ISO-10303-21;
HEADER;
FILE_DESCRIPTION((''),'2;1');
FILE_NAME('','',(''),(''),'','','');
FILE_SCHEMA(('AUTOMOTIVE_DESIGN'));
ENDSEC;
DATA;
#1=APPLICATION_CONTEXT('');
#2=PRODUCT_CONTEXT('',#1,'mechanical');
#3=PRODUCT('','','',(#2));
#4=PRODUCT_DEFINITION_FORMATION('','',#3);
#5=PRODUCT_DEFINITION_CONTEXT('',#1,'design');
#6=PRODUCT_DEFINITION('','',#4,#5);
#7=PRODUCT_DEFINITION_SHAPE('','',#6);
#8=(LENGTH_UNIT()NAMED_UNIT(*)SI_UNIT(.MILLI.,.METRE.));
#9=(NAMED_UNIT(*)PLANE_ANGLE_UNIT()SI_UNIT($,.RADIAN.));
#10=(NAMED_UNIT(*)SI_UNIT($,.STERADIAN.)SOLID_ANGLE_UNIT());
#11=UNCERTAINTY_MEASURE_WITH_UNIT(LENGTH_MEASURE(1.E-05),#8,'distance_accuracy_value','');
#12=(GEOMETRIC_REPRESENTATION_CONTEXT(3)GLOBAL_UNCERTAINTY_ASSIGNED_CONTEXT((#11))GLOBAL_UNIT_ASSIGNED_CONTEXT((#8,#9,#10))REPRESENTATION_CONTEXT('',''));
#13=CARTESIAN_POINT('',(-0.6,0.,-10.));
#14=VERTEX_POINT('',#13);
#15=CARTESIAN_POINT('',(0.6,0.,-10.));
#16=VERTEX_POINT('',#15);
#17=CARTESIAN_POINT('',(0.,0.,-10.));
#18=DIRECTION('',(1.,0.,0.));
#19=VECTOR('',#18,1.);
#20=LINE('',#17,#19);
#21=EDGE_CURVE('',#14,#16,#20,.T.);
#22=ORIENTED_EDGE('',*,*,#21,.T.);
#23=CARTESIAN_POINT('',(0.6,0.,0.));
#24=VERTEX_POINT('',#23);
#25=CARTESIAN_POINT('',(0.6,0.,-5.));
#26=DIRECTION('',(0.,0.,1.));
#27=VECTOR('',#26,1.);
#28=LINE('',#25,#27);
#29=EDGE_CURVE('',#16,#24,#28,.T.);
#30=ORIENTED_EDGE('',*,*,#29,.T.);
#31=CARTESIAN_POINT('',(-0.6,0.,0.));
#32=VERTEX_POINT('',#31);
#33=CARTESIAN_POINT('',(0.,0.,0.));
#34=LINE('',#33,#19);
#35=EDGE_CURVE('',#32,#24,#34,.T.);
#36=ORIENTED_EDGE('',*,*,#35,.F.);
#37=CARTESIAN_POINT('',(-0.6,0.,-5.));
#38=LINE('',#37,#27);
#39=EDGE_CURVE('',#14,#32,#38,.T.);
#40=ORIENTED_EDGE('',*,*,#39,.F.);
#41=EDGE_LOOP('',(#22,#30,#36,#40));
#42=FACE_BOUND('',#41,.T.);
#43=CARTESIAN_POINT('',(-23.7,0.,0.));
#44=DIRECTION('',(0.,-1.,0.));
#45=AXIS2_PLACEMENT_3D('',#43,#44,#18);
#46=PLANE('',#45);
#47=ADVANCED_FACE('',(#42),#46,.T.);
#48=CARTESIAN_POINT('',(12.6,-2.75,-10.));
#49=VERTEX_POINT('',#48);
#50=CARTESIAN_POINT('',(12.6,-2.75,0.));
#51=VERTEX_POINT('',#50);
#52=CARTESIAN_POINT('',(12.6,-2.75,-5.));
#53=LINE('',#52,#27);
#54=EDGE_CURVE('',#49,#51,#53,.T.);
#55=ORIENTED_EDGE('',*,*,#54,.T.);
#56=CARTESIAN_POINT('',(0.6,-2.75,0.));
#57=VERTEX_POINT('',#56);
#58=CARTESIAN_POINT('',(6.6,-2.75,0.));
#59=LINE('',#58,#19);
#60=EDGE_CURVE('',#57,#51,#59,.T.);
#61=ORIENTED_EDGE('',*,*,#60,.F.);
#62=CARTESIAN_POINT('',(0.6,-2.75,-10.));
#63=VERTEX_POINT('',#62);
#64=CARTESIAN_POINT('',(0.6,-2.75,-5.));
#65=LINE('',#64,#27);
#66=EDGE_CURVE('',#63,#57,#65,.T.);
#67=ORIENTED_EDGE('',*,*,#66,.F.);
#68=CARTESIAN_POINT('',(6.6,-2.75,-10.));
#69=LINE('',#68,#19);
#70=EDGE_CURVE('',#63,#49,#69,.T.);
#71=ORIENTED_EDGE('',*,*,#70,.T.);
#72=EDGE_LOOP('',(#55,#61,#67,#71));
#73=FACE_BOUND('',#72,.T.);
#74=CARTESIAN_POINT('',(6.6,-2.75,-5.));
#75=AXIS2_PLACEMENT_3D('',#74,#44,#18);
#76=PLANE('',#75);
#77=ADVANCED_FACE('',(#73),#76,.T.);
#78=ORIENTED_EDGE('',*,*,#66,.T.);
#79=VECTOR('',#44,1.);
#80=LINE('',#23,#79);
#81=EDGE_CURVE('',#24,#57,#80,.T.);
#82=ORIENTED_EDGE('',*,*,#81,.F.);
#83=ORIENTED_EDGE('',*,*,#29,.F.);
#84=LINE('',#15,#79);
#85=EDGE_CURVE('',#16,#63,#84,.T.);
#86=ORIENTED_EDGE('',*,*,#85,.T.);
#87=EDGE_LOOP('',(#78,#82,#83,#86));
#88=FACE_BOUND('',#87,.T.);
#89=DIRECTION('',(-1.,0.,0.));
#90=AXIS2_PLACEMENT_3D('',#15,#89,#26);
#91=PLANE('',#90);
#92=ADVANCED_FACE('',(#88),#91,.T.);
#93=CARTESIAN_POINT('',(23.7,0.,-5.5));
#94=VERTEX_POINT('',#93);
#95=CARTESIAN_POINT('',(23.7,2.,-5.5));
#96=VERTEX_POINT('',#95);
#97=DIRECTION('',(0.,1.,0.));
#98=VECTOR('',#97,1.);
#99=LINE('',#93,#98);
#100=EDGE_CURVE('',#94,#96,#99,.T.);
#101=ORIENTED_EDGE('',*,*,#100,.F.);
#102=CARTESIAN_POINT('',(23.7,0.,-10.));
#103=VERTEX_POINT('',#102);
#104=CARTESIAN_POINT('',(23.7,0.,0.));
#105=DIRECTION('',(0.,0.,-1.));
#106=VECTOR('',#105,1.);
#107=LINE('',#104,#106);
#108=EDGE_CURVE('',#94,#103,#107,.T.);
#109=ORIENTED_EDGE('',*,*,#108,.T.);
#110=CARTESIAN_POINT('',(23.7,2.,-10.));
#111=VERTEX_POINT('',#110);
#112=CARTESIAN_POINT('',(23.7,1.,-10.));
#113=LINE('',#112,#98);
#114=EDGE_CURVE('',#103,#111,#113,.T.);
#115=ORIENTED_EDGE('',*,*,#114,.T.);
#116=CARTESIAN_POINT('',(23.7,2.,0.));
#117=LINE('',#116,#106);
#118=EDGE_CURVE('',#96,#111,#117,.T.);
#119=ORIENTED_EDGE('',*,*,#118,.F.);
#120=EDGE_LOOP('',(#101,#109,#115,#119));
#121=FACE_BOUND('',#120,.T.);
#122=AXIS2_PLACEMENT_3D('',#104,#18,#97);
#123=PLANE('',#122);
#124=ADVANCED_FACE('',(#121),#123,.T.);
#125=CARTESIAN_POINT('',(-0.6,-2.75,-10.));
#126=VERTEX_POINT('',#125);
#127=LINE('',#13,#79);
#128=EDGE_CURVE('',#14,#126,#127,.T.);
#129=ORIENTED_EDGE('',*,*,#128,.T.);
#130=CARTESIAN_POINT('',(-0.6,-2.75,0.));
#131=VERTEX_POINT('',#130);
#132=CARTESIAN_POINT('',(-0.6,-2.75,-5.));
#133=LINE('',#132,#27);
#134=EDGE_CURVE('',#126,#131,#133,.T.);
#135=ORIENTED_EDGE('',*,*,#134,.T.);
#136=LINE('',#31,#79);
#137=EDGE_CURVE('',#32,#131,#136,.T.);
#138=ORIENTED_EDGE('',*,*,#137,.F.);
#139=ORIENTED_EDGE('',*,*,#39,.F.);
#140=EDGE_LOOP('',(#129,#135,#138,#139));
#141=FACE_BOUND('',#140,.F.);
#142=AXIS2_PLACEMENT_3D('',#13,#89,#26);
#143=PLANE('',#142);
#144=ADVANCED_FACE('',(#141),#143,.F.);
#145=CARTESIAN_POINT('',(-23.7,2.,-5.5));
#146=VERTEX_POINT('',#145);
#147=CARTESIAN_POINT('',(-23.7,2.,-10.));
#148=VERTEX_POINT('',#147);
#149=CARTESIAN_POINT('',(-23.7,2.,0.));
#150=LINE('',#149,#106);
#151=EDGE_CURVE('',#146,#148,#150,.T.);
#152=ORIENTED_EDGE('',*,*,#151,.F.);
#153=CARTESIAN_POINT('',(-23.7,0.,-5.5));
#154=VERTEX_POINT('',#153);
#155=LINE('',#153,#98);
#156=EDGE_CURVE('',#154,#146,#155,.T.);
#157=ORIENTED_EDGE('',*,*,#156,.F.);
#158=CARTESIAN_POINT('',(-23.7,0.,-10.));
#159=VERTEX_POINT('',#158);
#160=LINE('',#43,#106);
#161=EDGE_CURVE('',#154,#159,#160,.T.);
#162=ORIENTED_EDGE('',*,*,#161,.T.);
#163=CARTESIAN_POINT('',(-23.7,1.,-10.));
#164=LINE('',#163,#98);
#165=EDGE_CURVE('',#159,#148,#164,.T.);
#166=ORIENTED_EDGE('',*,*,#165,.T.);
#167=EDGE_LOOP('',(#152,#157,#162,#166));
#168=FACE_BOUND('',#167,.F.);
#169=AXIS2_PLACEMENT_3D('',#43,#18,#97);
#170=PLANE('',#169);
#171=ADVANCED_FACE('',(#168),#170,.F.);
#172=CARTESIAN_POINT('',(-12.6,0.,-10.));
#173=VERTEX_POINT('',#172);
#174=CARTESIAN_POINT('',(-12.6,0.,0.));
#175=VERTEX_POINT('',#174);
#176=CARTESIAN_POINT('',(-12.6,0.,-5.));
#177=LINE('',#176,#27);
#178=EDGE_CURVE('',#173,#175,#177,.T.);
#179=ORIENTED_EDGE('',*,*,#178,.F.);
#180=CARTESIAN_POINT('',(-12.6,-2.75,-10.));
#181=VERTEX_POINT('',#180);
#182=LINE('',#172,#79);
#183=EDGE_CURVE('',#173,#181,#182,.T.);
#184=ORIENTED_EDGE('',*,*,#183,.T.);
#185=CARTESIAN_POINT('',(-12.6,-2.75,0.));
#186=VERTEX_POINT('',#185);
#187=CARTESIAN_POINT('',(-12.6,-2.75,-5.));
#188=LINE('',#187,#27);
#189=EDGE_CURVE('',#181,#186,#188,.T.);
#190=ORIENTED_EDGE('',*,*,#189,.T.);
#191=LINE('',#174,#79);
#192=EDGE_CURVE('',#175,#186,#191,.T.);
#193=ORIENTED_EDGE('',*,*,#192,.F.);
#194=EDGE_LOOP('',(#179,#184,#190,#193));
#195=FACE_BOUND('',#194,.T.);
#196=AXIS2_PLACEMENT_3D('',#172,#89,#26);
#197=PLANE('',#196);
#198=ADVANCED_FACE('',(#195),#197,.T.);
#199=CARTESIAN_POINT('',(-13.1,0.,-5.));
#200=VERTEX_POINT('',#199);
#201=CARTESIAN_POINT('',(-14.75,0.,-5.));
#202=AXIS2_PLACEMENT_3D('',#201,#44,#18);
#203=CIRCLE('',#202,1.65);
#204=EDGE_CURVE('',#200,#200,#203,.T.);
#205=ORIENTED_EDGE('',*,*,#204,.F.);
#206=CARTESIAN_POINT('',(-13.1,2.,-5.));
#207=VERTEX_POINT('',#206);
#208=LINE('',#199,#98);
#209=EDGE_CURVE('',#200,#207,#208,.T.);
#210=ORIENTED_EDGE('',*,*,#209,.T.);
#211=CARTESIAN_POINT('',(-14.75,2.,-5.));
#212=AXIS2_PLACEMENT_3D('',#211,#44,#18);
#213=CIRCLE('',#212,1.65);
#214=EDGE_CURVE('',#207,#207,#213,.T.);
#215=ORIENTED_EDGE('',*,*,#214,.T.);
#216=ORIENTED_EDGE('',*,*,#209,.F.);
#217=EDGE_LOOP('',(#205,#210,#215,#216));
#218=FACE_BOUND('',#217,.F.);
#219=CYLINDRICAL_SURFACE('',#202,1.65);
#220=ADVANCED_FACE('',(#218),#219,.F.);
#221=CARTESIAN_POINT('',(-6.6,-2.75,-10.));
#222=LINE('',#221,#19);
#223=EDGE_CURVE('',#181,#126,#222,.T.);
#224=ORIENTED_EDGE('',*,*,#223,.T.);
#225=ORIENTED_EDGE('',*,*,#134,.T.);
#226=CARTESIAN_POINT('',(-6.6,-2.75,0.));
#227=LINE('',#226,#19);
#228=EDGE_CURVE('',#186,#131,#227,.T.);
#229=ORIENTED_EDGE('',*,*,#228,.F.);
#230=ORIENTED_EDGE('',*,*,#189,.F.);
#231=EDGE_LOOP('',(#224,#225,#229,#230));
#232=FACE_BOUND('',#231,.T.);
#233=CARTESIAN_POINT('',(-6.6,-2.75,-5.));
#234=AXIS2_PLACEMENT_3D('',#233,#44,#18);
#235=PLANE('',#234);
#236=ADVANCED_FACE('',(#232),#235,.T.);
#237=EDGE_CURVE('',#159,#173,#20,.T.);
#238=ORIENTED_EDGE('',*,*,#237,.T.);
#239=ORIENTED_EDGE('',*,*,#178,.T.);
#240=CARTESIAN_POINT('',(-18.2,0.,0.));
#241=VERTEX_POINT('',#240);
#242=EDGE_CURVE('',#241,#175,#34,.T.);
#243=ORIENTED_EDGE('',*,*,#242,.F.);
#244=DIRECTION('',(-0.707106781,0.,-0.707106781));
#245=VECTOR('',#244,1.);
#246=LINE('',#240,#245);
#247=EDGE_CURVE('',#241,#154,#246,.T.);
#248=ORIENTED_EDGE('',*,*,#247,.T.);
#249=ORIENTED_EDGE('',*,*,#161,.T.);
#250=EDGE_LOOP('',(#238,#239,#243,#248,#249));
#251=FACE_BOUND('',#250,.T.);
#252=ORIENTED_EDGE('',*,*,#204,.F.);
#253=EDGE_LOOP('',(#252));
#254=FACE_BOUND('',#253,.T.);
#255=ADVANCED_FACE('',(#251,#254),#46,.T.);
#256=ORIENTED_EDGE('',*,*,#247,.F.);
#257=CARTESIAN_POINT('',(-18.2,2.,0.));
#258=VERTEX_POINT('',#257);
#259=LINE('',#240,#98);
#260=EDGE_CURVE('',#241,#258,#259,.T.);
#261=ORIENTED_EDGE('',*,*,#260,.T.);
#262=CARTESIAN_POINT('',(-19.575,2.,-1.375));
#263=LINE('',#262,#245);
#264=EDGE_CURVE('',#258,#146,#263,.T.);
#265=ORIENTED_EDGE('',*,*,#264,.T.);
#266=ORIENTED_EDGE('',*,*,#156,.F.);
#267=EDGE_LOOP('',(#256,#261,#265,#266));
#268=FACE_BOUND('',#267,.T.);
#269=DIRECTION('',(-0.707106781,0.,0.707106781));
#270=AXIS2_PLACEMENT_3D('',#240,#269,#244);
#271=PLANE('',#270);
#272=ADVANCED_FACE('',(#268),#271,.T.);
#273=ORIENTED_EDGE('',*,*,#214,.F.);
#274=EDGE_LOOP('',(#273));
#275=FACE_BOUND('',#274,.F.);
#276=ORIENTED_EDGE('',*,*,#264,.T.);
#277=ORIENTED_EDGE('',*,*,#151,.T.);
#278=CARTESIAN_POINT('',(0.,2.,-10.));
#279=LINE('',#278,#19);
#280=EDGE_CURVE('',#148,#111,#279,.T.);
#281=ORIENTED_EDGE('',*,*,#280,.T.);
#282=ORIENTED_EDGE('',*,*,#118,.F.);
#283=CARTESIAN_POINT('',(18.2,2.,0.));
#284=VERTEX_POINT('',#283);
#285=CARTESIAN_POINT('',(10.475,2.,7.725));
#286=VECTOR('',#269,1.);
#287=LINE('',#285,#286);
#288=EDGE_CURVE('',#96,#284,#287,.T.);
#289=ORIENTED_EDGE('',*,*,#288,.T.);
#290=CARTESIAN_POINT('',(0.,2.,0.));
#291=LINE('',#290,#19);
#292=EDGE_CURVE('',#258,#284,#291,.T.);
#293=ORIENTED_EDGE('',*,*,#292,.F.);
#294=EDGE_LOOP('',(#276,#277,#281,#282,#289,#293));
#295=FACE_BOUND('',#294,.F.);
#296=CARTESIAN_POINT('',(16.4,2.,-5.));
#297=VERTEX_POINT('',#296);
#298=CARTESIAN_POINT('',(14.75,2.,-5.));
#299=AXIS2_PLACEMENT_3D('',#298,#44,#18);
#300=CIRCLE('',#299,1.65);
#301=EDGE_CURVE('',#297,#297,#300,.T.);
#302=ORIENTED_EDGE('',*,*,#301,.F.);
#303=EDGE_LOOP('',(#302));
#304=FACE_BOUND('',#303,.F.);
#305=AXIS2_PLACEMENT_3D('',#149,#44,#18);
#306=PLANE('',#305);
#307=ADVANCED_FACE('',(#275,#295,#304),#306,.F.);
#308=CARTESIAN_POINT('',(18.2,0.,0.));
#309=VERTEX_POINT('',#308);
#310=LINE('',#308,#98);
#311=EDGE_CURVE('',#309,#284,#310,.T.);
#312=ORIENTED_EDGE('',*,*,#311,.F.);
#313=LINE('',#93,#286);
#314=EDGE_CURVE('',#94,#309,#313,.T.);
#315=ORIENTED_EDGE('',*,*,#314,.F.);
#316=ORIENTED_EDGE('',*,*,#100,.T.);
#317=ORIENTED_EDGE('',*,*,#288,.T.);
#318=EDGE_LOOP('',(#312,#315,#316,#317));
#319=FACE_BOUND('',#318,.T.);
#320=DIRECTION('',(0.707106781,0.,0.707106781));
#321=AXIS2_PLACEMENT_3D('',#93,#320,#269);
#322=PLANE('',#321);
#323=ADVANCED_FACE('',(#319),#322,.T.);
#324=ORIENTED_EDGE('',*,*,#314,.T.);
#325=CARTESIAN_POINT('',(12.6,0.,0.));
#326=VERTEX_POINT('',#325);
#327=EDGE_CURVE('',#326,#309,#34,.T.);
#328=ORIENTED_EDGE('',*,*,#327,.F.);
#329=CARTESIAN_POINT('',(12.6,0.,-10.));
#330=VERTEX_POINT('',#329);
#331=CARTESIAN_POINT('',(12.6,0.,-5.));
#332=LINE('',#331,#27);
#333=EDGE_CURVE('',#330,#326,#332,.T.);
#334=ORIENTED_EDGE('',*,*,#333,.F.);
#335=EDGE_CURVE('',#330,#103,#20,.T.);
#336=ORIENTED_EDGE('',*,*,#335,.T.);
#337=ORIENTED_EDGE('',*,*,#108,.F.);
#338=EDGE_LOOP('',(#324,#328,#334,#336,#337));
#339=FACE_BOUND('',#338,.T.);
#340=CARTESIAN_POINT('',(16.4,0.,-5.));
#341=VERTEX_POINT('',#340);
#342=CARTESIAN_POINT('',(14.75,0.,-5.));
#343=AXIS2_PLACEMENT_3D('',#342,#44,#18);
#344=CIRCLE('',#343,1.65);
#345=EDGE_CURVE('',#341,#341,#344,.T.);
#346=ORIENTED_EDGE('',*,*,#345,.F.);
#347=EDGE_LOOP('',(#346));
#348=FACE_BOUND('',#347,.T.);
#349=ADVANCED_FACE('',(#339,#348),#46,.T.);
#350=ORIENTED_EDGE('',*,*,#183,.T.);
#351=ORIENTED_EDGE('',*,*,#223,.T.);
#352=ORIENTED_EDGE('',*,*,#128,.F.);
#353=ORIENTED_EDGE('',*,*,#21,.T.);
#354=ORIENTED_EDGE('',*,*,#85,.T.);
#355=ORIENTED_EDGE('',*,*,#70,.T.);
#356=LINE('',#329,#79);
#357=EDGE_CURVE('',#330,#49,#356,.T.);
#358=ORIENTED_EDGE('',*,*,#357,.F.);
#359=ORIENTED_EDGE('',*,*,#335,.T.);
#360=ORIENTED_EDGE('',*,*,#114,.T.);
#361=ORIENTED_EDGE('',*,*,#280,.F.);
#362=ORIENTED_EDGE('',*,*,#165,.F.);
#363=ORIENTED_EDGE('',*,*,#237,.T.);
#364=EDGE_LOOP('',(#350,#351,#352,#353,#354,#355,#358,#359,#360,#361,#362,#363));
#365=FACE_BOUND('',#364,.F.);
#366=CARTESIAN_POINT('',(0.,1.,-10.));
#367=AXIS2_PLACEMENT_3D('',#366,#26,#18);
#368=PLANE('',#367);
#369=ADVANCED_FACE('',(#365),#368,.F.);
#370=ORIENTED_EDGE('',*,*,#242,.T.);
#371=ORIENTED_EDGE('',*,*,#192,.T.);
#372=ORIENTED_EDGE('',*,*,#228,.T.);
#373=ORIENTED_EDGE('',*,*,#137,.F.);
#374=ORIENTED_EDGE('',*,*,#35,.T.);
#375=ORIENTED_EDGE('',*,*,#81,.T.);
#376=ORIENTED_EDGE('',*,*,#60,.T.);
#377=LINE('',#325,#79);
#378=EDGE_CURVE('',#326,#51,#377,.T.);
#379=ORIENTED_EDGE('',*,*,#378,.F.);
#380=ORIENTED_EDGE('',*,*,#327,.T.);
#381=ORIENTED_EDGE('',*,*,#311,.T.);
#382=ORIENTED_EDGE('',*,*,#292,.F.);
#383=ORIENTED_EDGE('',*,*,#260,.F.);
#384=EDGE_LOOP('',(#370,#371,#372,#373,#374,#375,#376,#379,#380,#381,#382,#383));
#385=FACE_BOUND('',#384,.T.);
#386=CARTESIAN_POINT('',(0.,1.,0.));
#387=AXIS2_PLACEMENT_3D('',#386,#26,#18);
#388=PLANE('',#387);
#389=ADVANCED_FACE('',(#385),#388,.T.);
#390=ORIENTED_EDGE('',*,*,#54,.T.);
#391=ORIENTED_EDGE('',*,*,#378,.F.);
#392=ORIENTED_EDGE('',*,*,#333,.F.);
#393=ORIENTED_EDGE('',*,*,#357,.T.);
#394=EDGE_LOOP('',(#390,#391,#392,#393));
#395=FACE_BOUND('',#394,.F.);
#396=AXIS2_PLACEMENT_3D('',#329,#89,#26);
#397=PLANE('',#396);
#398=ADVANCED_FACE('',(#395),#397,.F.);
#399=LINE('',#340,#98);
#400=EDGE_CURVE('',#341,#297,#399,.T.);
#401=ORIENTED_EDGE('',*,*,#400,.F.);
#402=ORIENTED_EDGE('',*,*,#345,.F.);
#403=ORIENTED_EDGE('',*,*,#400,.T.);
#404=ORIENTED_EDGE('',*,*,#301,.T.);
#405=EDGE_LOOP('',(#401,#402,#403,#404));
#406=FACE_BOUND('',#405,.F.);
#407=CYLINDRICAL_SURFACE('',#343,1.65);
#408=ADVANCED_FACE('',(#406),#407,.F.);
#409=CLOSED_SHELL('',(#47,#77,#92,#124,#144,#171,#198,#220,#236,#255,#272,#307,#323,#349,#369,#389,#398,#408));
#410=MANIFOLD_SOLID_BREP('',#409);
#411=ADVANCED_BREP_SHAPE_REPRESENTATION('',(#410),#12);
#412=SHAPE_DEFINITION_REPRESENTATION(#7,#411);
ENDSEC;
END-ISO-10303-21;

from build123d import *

# Parameters (mm, degrees)
SKETCH_W             = 47.4
SKETCH_H             = 2
PAD_DEPTH            = 10
SKETCH002_W          = 12
SKETCH002_H          = 10
PAD001_DEPTH         = 2.75
SKETCH003_R          = 1.65
POCKET_DEPTH         = 2.001
POCKET_DEPTH_BACK    = 2.751
POCKET001_DEPTH      = 2.001
POCKET001_DEPTH_BACK = 2.751


with BuildPart() as part:
    # Sketch → Pad (new body)
    with BuildSketch(Plane.XY):
        with Locations((0, 1)):
            Rectangle(SKETCH_W, SKETCH_H)
    extrude(amount=-PAD_DEPTH)

    # Sketch002 → Pad001 (join)
    with BuildSketch(Plane.XZ):
        with Locations((-6.6, -5)):
            Rectangle(SKETCH002_W, SKETCH002_H)
        with Locations((6.6, -5)):
            Rectangle(SKETCH002_W, SKETCH002_H)
    extrude(amount=PAD001_DEPTH)

    # Sketch003 → Pocket (cut, two sides)
    with BuildSketch(Plane.XZ) as pocket_sk:
        with Locations((-14.75, -5)):
            Circle(SKETCH003_R)
        with Locations((14.75, -5)):
            Circle(SKETCH003_R)
    extrude(amount=-POCKET_DEPTH, mode=Mode.SUBTRACT)
    extrude(pocket_sk.sketch, amount=POCKET_DEPTH_BACK, mode=Mode.SUBTRACT)

    # Sketch004 → Pocket001 (cut, two sides)
    with BuildSketch(Plane.XZ) as pocket001_sk:
        Polygon((-18.2, 0), (-23.7, -5.5), (-23.7, 0), align=None)
        Polygon((18.2, 0), (23.7, 0), (23.7, -5.5), align=None)
    extrude(amount=-POCKET001_DEPTH, mode=Mode.SUBTRACT)
    extrude(pocket001_sk.sketch, amount=POCKET001_DEPTH_BACK, mode=Mode.SUBTRACT)


solid = part.part
